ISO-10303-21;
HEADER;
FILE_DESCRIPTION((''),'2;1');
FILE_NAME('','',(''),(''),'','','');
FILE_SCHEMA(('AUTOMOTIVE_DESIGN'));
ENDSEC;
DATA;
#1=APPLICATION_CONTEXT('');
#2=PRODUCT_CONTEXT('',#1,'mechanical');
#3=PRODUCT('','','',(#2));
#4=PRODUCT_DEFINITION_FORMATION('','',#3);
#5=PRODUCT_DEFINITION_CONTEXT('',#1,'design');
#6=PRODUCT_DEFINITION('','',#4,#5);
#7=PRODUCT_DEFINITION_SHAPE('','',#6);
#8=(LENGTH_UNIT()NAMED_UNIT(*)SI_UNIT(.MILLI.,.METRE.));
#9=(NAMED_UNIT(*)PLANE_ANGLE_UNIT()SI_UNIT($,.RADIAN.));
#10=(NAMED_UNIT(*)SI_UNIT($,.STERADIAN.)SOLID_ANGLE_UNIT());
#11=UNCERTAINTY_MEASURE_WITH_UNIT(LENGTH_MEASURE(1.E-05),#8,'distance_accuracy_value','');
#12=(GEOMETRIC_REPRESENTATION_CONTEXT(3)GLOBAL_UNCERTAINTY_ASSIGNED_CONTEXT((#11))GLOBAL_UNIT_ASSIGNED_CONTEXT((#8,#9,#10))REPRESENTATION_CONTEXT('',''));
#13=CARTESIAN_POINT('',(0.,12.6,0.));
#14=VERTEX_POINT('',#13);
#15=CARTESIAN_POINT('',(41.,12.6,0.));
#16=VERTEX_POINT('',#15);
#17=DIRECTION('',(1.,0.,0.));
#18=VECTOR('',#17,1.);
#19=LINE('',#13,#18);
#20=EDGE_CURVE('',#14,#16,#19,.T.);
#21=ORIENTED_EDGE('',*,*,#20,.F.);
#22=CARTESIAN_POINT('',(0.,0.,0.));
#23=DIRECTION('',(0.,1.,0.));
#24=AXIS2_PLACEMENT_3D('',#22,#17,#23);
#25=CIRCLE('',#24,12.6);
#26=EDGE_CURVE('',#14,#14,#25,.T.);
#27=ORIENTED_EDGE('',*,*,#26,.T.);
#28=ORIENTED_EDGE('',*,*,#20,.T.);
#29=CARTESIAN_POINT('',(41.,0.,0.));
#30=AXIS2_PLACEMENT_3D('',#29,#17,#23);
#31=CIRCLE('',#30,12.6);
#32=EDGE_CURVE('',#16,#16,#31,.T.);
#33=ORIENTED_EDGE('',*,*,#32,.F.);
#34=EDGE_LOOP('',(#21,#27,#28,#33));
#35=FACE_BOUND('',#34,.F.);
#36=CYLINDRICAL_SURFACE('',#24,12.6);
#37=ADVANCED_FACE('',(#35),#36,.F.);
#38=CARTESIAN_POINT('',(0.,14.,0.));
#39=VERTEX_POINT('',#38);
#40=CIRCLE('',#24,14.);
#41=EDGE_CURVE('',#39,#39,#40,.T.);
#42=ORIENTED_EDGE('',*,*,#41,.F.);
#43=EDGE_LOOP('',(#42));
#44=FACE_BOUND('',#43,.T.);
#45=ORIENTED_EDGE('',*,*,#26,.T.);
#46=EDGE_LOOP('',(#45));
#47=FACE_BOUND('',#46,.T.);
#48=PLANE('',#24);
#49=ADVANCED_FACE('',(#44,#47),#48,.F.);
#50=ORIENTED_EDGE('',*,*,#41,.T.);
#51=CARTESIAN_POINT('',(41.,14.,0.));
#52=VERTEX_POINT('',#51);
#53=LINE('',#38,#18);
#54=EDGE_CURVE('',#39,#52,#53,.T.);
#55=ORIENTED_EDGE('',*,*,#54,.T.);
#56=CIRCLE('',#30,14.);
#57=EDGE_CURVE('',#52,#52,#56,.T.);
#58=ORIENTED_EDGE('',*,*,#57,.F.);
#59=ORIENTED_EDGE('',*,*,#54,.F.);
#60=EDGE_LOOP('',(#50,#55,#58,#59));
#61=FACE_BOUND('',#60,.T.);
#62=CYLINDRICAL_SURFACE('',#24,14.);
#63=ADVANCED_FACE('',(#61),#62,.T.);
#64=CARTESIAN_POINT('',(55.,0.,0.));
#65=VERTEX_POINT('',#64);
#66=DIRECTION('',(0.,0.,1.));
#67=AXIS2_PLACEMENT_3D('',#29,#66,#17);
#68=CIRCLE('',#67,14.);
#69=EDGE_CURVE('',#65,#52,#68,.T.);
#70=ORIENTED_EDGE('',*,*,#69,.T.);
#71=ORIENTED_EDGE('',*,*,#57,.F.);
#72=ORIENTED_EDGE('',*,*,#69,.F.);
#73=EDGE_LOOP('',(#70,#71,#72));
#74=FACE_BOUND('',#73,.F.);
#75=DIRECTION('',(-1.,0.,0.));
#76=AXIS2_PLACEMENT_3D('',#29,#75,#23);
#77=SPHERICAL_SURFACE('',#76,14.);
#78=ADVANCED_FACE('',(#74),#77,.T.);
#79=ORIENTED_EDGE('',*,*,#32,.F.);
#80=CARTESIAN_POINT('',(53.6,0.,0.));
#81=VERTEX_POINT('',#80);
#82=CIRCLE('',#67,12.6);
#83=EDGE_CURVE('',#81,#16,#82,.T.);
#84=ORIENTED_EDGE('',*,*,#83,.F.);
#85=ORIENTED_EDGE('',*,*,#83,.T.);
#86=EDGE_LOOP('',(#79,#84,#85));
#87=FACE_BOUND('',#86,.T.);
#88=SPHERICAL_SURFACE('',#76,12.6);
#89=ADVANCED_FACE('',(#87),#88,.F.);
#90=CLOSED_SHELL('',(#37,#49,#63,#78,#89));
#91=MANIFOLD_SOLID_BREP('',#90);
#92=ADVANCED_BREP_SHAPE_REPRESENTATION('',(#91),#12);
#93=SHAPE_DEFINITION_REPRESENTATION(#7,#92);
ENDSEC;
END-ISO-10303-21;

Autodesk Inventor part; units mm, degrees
ref_plane "YZ Plane" through (0, 0, 0) normal (1, 0, 0) x (0, 1, 0)
ref_plane "XZ Plane" through (0, 0, 0) normal (0, 1, 0) x (-1, 0, 0)
ref_plane "XY Plane" through (0, 0, 0) normal (0, 0, 1) x (1, 0, 0)
sketch "Skizze1" plane through (0, 0, 0) normal (0, 0, 1) x (1, 0, 0)
  line L0 (0, -3.3799) -> (0, 20.2794) projected
  line L1 (-11.5799, 0) -> (69.4794, 0) projected
  line L2 (0, 12.6) -> (41, 12.6)
  line L3 (0, 12.6) -> (0, 14)
  line L4 (0, 14) -> (41, 14)
  arc A0 (53.6, 0) -> (41, 12.6) centre (41, 0) ccw
  arc A1 (55, 0) -> (41, 14) centre (41, 0) ccw
  line L5 (53.6, 0) -> (55, 0)
  point P0 (0, 0)
  dimension "d0" = 14
  dimension "d1" = 1.4
  dimension "d2" = 28
  dimension "d3" = 55
revolve "Umdrehung1" add sketch "Skizze1" angle 360 about axis through (-10, 0, 0) along (1, 0, 0) contours L0 L4 A1 L1 A0 L2
properties part number "Außenkolben" material "Glas"
